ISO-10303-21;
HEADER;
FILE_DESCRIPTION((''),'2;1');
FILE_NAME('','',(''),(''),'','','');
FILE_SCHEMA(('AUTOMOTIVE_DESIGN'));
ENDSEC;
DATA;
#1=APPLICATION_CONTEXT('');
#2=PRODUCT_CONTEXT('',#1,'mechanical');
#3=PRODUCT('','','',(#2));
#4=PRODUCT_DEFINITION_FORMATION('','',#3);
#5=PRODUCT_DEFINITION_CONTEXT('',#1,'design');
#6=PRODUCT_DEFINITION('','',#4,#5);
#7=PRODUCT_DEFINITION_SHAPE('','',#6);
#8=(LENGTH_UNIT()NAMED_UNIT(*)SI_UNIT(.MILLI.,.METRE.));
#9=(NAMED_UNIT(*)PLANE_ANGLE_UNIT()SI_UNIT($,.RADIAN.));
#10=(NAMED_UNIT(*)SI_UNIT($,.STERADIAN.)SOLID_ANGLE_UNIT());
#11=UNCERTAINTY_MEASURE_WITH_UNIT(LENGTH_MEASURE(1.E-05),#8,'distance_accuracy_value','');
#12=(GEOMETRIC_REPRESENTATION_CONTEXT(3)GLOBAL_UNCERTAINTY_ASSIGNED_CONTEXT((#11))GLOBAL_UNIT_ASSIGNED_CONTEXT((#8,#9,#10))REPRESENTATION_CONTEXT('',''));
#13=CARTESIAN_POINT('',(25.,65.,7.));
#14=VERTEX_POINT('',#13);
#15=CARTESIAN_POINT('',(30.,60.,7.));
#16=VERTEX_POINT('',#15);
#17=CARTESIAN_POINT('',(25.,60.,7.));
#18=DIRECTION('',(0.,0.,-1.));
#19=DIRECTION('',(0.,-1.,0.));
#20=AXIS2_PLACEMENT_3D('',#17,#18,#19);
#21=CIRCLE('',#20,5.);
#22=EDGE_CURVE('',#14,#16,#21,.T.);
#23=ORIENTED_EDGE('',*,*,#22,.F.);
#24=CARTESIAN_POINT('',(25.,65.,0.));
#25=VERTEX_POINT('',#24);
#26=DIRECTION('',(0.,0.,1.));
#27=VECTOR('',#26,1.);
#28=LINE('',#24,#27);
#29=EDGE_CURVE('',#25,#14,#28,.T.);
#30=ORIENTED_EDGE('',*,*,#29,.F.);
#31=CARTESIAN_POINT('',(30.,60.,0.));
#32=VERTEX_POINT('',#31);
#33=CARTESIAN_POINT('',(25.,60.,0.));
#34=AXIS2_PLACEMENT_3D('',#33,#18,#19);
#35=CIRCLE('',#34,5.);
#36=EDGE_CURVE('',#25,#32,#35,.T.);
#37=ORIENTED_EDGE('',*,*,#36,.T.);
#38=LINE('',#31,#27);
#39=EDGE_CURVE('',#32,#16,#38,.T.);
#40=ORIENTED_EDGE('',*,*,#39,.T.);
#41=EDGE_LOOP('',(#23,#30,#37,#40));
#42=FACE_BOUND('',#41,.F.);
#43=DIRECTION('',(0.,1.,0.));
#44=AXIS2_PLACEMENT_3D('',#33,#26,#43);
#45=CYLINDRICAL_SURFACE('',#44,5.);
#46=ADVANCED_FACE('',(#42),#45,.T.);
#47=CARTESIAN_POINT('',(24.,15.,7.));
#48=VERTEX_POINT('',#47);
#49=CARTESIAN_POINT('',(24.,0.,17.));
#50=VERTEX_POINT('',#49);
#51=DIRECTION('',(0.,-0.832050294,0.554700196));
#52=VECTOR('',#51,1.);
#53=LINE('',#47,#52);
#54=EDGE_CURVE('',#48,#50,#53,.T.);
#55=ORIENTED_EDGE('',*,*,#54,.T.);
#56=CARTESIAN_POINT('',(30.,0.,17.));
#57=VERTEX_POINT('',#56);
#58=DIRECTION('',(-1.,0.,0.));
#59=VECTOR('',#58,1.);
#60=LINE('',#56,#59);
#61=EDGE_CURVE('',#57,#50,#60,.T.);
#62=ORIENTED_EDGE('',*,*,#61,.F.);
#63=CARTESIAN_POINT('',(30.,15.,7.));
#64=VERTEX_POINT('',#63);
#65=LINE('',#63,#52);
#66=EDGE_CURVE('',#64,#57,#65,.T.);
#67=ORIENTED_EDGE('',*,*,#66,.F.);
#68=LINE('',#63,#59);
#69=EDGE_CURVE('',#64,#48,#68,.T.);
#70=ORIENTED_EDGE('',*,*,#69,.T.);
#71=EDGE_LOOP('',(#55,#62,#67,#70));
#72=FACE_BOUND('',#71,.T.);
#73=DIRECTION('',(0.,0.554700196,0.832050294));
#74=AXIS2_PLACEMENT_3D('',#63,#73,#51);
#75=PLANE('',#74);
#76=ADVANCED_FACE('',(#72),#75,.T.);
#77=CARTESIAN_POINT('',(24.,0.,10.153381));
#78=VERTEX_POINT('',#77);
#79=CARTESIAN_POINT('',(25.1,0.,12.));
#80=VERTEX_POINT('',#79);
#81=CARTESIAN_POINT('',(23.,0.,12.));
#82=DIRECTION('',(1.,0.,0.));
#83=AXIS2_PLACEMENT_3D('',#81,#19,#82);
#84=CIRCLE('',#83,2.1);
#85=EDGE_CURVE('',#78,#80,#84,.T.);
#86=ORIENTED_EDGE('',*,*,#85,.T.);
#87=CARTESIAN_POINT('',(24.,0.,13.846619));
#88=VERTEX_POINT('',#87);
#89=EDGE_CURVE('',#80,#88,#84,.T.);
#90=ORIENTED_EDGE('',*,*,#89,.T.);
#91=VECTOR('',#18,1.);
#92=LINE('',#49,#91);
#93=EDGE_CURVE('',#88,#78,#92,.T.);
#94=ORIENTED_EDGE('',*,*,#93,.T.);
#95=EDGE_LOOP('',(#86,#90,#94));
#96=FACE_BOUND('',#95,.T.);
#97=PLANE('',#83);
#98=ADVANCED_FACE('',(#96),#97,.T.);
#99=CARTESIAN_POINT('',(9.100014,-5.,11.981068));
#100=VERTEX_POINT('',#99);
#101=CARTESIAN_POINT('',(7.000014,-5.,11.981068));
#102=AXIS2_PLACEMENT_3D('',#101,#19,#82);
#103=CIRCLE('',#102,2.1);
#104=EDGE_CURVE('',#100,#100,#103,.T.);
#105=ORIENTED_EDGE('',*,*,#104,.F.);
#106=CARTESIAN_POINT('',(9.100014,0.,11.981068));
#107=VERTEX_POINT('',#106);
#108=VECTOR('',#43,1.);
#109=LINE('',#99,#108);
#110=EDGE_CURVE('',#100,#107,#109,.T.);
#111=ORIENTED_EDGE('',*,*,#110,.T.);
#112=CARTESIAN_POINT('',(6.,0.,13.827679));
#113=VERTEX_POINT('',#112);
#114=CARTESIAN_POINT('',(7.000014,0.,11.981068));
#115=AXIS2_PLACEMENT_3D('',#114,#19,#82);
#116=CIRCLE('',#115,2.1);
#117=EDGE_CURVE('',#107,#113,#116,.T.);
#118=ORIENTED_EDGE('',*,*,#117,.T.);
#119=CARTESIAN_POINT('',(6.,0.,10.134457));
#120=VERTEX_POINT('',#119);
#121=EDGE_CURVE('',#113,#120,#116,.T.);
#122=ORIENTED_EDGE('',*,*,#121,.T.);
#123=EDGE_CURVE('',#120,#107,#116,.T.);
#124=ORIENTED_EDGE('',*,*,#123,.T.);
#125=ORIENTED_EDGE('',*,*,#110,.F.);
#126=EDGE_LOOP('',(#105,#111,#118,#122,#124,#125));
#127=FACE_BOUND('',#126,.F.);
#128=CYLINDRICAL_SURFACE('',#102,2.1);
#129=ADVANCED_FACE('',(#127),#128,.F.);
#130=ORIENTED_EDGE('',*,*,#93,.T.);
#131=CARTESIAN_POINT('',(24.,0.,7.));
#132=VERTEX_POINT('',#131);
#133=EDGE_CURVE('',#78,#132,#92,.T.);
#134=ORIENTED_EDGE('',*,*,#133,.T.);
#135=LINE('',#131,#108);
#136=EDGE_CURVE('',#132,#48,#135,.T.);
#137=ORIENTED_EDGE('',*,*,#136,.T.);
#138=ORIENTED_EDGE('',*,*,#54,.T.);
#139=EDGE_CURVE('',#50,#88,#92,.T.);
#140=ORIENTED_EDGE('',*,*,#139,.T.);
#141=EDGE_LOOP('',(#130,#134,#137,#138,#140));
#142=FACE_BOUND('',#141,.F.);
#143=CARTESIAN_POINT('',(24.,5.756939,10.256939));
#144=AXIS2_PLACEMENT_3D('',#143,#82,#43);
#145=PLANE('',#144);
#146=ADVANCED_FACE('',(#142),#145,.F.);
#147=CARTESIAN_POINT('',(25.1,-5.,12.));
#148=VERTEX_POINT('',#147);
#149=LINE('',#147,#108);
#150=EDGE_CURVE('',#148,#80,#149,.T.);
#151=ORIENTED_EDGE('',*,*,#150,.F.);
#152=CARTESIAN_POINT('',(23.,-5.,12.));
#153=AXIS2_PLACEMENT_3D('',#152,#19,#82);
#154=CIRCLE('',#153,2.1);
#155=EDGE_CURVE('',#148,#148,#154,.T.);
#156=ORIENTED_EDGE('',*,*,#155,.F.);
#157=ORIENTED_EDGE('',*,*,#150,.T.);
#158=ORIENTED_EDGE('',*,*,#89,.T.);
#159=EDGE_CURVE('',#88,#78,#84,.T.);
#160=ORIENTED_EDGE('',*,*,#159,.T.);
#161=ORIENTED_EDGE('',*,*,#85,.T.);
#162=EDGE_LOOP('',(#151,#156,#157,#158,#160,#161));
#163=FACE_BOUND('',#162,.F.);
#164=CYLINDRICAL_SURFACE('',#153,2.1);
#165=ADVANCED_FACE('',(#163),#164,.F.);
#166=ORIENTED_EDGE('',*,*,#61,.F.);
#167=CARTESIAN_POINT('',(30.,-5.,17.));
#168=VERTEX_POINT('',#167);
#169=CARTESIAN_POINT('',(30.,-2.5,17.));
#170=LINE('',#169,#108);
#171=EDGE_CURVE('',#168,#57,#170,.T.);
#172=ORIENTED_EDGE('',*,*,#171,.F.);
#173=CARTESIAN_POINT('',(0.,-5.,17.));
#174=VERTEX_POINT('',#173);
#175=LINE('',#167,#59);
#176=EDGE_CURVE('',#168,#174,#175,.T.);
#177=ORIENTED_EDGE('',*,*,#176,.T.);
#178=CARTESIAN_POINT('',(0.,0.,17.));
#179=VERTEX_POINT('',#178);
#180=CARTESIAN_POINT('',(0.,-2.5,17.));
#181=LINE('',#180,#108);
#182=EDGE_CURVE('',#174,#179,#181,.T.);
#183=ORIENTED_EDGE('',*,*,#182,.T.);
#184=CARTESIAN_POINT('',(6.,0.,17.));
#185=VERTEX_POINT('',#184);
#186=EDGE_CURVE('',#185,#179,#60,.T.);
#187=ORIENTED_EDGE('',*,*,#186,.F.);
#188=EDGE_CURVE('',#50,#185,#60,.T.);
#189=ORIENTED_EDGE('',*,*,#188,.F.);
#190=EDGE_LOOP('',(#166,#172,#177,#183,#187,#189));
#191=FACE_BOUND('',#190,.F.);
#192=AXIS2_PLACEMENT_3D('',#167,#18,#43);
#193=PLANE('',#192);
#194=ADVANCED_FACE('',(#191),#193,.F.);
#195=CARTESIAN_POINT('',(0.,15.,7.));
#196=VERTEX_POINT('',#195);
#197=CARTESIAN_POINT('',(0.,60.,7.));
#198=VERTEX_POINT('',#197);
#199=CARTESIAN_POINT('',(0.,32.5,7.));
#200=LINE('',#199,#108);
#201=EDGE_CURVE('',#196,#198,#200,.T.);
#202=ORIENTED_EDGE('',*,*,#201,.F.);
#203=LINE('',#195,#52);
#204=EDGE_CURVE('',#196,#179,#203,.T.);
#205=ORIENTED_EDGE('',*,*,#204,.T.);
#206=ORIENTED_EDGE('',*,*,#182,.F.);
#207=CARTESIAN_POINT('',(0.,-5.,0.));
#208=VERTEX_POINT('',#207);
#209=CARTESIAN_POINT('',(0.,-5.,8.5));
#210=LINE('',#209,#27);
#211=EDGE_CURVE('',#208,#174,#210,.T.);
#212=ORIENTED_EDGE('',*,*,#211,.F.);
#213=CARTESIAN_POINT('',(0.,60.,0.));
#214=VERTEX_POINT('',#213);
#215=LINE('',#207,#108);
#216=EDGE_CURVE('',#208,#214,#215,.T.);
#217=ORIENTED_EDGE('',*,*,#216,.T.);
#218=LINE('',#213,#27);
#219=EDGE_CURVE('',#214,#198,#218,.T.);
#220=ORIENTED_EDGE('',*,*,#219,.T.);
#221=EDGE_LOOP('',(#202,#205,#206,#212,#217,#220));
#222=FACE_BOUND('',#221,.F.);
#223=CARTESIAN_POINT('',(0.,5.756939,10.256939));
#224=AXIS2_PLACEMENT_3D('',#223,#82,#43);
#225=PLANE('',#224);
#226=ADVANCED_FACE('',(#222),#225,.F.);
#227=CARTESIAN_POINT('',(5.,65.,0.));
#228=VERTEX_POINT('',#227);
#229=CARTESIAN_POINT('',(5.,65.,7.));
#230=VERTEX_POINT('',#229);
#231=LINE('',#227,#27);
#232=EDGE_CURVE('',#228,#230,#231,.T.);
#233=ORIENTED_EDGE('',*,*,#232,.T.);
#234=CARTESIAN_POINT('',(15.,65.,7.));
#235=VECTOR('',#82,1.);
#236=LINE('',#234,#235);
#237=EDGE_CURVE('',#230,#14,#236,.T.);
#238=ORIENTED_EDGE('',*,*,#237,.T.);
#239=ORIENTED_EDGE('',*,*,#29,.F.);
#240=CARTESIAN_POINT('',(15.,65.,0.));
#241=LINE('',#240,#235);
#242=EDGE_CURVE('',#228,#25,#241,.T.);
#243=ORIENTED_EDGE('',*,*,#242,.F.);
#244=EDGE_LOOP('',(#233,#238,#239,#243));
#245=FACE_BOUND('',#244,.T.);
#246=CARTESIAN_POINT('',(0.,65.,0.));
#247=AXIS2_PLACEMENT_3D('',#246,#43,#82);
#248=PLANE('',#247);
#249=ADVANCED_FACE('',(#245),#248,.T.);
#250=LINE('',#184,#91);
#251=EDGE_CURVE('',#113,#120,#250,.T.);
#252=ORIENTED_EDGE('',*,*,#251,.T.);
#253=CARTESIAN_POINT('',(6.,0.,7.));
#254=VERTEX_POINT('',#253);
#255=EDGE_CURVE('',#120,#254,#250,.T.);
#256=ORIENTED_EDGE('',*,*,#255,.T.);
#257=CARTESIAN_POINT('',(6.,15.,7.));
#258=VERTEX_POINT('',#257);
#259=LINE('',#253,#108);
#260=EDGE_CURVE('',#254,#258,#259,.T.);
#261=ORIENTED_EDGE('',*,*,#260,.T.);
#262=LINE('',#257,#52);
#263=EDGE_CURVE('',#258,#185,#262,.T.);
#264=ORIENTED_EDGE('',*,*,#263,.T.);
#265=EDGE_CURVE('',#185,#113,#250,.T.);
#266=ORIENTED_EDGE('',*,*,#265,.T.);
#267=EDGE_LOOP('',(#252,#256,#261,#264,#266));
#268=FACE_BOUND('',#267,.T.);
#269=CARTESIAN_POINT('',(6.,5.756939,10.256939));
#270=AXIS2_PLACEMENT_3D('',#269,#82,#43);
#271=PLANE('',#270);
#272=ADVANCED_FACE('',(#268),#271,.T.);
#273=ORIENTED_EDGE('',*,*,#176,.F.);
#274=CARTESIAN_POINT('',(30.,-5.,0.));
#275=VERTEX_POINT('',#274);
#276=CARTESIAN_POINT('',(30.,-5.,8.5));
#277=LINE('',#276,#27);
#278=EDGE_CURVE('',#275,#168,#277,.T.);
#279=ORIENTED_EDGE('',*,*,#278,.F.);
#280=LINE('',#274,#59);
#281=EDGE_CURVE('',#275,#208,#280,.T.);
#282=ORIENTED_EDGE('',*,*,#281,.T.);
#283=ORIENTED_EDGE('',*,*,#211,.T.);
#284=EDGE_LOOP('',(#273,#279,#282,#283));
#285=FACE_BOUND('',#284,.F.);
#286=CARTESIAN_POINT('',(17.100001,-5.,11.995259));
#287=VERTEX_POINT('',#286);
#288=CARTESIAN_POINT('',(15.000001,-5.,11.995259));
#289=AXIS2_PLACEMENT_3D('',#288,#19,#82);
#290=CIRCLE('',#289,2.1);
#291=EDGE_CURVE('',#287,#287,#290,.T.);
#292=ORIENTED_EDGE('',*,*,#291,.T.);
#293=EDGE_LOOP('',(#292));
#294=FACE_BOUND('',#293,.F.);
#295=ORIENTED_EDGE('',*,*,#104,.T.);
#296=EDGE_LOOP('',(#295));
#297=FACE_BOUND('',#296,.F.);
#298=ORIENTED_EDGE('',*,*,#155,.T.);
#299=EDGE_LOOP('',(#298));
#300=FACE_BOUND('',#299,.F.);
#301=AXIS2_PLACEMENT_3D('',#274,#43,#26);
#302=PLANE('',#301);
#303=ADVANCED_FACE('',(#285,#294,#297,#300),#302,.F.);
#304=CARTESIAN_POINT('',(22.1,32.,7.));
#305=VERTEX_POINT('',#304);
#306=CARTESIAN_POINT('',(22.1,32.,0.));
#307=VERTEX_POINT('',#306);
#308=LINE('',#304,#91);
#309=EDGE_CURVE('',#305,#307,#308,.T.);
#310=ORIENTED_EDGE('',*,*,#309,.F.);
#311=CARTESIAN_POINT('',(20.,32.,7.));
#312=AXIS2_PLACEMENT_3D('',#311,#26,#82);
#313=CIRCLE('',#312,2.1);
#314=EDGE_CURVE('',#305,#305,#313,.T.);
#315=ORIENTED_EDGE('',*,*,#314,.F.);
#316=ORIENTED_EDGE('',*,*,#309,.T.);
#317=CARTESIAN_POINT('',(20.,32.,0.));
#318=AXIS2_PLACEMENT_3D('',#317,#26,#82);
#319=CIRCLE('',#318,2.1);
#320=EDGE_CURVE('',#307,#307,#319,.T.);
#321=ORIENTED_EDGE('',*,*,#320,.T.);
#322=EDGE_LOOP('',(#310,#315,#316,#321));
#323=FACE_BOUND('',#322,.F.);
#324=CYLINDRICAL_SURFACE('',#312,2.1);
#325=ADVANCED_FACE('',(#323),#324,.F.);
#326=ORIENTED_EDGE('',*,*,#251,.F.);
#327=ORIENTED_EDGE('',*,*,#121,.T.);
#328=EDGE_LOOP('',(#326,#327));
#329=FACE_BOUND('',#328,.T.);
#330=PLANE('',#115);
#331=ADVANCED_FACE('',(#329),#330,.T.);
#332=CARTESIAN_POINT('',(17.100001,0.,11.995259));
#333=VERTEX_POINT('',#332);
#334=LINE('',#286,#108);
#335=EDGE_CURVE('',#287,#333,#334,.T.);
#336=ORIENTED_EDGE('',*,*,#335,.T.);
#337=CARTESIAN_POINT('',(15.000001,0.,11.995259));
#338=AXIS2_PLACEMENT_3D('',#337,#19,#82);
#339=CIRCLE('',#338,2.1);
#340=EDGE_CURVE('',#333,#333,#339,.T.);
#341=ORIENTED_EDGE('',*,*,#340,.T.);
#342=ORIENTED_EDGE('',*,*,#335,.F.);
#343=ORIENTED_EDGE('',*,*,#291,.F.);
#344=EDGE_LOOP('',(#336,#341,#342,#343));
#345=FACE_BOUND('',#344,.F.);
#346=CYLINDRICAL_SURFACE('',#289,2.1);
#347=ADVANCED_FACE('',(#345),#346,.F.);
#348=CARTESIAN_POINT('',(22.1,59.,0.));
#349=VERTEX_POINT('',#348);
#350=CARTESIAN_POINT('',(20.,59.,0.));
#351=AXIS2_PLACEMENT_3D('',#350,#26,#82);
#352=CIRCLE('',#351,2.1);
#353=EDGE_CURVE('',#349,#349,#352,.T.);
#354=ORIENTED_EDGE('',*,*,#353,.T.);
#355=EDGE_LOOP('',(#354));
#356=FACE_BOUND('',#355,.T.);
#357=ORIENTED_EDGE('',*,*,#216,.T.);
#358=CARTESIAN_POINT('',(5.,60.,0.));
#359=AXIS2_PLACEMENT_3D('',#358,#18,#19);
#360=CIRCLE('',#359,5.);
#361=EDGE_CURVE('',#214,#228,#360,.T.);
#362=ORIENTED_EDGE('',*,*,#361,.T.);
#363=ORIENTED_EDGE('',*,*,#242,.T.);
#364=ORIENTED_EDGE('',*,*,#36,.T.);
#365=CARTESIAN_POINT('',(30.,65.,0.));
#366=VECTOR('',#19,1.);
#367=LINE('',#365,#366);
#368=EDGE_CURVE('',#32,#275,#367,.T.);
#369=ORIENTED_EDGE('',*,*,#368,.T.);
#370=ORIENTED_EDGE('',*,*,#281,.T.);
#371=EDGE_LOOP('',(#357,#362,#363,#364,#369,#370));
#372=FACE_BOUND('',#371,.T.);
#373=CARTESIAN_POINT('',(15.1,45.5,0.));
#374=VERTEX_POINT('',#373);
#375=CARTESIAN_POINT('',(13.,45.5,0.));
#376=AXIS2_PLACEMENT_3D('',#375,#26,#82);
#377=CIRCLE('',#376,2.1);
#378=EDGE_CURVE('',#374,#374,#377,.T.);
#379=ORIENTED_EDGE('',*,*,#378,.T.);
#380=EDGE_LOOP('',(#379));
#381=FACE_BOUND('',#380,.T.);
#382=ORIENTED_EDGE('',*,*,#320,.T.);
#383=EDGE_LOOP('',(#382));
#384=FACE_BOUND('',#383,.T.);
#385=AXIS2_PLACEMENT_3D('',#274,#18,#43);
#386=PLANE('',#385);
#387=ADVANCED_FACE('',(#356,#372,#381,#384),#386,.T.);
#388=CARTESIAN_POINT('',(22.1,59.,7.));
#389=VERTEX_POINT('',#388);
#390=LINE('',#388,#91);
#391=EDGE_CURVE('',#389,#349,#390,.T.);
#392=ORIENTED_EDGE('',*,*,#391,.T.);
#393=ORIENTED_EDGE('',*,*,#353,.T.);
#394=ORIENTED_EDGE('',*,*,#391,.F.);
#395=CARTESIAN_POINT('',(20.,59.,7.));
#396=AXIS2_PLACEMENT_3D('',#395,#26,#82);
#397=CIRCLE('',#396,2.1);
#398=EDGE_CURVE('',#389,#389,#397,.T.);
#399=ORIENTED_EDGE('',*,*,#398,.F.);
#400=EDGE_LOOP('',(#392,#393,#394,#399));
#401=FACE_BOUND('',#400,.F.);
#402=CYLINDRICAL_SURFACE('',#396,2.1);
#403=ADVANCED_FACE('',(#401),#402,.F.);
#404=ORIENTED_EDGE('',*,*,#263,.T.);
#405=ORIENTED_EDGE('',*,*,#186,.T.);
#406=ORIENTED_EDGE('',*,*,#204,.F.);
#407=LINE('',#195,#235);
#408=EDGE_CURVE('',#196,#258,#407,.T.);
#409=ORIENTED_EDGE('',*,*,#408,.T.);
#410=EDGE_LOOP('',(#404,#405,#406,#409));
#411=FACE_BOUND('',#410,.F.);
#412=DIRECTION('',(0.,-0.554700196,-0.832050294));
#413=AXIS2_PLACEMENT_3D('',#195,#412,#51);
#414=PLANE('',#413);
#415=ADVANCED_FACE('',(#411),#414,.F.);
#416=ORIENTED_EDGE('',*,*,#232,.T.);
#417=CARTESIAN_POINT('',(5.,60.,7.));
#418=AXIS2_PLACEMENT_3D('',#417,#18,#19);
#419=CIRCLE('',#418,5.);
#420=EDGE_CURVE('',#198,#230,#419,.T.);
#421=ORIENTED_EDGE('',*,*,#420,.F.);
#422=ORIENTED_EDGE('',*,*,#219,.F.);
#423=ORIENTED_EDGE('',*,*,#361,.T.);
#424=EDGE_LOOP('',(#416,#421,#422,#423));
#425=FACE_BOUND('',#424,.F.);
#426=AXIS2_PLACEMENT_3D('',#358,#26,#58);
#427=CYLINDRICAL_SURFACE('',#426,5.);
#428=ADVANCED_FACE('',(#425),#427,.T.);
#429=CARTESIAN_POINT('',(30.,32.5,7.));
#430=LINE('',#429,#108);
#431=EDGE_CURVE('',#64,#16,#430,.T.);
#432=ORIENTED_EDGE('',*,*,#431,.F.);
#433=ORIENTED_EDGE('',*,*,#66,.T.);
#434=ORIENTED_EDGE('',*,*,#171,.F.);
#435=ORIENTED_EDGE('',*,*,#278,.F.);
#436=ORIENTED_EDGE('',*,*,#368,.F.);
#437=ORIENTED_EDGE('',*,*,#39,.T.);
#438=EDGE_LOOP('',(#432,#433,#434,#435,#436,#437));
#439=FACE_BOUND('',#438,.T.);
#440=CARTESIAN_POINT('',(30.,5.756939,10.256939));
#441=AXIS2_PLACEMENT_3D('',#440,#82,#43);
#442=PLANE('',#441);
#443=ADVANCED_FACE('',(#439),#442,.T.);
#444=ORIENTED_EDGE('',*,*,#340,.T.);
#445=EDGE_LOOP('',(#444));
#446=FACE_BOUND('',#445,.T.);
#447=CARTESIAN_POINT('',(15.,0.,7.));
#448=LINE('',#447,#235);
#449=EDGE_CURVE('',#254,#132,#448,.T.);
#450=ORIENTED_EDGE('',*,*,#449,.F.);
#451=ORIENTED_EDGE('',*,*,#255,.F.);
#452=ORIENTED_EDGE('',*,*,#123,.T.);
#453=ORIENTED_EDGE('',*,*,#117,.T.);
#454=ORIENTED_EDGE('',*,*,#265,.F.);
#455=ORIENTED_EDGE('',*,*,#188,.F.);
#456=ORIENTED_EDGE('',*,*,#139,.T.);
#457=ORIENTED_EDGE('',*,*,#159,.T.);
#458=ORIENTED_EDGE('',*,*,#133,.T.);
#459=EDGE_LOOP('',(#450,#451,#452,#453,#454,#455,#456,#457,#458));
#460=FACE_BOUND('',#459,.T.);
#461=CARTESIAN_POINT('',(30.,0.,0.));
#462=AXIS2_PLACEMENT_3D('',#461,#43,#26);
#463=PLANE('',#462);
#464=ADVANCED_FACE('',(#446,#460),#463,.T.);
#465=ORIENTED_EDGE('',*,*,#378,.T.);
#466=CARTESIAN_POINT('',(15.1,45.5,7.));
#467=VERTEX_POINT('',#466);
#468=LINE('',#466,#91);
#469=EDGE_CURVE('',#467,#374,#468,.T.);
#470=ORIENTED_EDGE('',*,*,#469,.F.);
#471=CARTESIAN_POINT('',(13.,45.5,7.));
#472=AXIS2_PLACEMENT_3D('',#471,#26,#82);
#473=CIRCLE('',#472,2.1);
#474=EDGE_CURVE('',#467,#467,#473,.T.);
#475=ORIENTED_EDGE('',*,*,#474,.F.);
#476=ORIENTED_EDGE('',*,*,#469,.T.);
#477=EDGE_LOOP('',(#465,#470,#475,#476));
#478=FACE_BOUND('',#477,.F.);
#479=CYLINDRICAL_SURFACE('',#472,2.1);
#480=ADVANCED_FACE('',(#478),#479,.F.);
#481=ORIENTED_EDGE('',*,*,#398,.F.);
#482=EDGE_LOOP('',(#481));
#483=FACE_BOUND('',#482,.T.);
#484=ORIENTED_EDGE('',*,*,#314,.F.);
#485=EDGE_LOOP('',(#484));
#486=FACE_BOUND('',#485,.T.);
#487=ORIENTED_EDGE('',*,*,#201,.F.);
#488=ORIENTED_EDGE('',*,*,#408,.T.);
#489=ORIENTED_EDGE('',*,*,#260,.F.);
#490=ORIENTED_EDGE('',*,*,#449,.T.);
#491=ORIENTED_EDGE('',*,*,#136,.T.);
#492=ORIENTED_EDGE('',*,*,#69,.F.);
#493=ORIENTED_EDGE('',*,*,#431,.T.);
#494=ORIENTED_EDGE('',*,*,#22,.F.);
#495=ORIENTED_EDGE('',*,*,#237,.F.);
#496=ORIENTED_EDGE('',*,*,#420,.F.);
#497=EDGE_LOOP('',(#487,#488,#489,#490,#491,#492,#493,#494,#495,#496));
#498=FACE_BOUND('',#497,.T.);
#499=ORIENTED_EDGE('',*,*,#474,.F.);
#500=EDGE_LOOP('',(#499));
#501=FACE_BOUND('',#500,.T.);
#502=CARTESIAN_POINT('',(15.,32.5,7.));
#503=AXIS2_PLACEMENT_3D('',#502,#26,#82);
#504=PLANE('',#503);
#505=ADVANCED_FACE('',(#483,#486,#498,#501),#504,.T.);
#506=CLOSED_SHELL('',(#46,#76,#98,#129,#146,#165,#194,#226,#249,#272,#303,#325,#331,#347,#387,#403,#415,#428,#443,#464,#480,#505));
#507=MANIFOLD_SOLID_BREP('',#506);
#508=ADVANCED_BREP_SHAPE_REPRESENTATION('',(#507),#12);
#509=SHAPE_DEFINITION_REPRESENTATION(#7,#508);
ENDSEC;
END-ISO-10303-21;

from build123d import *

# Parameters (mm, degrees)
SKETCH_W        = 30
SKETCH_H        = 65
PAD_DEPTH       = 7
SKETCH001_W     = 5
SKETCH001_H     = 17
PAD001_DEPTH    = 30
PAD002_DEPTH    = 6
PAD003_DEPTH    = 6
SKETCH004_R     = 2.1
POCKET_DEPTH    = 12
SKETCH005_R     = 2.1
POCKET001_DEPTH = 5
FILLET_R        = 5


with BuildPart() as part:
    # Sketch → Pad (new body)
    with BuildSketch(Plane.XY):
        with Locations((15, 32.5)):
            Rectangle(SKETCH_W, SKETCH_H)
    extrude(amount=PAD_DEPTH)

    # Sketch001 (on DatumPlane) → Pad001 (join)
    with BuildSketch(Plane.YZ.offset(30)):
        with Locations((-2.5, 8.5)):
            Rectangle(SKETCH001_W, SKETCH001_H)
    extrude(amount=-PAD001_DEPTH)

    # Sketch002 (on DatumPlane) → Pad002 (join)
    with BuildSketch(Plane.YZ.offset(30)):
        Polygon((0, 17), (0, 7), (15, 7), align=None)
    extrude(amount=-PAD002_DEPTH)

    # Sketch003 (on DatumPlane) → Pad003 (join)
    with BuildSketch(Plane(origin=(0, 0, 0), x_dir=(0, -1, 0), z_dir=(-1, 0, 0))):
        Polygon((0, 17), (0, 7), (-15, 7), align=None)
    extrude(amount=-PAD003_DEPTH)

    # Sketch004 (on Face6 of Pad003) → Pocket (cut)
    with BuildSketch(Plane.XY.offset(7)):
        with Locations((20, 59)):
            Circle(SKETCH004_R)
        with Locations((20, 32)):
            Circle(SKETCH004_R)
        with Locations((13, 45.5)):
            Circle(SKETCH004_R)
    extrude(amount=-POCKET_DEPTH, mode=Mode.SUBTRACT)

    # Sketch005 (on Face8 of Pocket) → Pocket001 (cut)
    with BuildSketch(Plane.XZ.offset(5)):
        with Locations((7.000014, 11.981068)):
            Circle(SKETCH005_R)
        with Locations((15.000001, 11.995259)):
            Circle(SKETCH005_R)
        with Locations((23, 12)):
            Circle(SKETCH005_R)
    extrude(amount=-POCKET001_DEPTH, mode=Mode.SUBTRACT)

    # Fillet
    fillet_edges = [part.edges().sort_by_distance(p)[0] for p in [
        (0, 65, 3.5),
        (30, 65, 3.5),
    ]]
    fillet(fillet_edges, radius=FILLET_R)


solid = part.part
